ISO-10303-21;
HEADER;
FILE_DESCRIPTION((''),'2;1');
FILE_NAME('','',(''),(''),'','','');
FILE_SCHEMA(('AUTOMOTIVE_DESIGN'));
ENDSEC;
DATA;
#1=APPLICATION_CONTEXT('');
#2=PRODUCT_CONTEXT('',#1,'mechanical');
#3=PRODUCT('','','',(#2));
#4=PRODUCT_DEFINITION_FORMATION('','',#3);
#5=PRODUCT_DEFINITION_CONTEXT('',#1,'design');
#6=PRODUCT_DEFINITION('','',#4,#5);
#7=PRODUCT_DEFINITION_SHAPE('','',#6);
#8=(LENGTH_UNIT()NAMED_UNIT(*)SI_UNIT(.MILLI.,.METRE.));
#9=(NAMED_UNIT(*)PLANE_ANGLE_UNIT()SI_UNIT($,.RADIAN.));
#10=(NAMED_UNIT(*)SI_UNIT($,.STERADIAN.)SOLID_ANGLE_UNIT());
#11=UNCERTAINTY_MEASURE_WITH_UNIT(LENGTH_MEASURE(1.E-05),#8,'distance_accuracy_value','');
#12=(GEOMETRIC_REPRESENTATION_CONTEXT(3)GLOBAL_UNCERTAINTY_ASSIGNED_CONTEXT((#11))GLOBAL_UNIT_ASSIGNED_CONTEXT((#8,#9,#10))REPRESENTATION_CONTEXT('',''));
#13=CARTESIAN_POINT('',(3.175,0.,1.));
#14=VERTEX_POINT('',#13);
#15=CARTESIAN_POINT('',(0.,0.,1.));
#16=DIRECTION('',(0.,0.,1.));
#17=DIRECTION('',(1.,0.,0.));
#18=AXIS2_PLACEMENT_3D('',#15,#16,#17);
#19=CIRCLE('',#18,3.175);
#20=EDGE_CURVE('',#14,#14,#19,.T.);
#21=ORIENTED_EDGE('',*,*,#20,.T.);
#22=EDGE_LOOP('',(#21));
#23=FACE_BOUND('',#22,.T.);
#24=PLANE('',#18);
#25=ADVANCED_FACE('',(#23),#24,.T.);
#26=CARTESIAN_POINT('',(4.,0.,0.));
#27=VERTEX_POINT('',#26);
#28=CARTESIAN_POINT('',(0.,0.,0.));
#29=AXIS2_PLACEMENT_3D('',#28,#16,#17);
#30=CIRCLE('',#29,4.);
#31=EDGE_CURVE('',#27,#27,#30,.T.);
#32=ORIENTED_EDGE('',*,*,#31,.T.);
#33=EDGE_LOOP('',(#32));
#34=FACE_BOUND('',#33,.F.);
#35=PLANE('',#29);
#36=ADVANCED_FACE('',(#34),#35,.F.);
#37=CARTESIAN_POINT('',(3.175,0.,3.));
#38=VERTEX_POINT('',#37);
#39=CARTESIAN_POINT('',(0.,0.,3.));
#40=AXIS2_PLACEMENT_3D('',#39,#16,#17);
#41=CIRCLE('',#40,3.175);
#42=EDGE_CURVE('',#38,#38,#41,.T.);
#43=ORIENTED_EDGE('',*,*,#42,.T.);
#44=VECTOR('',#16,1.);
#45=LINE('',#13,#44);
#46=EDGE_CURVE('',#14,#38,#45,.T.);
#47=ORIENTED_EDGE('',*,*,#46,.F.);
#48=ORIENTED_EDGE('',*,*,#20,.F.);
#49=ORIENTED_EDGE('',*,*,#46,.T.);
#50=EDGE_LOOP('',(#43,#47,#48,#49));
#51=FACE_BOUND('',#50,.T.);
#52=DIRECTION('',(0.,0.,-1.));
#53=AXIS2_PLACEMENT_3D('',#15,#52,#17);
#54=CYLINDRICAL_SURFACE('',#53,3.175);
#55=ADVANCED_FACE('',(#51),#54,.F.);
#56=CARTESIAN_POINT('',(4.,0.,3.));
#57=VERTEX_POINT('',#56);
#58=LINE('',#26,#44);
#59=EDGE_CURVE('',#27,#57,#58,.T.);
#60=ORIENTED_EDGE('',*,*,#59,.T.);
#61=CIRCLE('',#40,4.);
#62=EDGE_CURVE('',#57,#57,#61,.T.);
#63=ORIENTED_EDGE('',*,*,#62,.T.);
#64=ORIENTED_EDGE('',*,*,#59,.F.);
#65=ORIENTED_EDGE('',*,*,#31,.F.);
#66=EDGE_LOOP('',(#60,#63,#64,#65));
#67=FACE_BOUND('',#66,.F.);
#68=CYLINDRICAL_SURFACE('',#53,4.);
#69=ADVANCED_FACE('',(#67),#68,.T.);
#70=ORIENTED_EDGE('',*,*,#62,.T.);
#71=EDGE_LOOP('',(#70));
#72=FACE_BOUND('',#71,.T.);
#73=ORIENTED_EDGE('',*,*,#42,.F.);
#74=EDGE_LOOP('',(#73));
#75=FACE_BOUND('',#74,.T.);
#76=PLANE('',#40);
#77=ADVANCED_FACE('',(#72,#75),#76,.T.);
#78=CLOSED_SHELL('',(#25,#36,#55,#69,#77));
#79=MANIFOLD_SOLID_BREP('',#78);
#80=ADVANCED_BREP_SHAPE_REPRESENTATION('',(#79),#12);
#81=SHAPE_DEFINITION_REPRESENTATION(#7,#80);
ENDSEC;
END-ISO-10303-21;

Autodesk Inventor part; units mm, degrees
ref_plane "YZ Plane" through (0, 0, 0) normal (1, 0, 0) x (0, 1, 0)
ref_plane "XZ Plane" through (0, 0, 0) normal (0, 1, 0) x (-1, 0, 0)
ref_plane "XY Plane" through (0, 0, 0) normal (0, 0, 1) x (1, 0, 0)
sketch "Sketch1" plane through (0, 0, 0) normal (0, 0, 1) x (1, 0, 0)
  circle A0 centre (0, 0) radius 4
  circle A1 centre (0, 0) radius 3.175
  dimension "d0" = 8
  dimension "d1" = 6.35
extrude "Extrusion1" add sketch "Sketch1" along normal blind 1 contours A0 | A1
sketch "Sketch2" plane through (0, 0, 1) normal (0, 0, 1) x (1, 0, 0)
  circle A0 centre (0, 0) radius 4 projected
  circle A1 centre (0, 0) radius 4
  circle A2 centre (0, 0) radius 3.175
  dimension "d4" = 8
  dimension "d5" = 6.35
extrude "Extrusion2" add sketch "Sketch2" along normal blind 2
properties part number "Pusher.Backplate"
